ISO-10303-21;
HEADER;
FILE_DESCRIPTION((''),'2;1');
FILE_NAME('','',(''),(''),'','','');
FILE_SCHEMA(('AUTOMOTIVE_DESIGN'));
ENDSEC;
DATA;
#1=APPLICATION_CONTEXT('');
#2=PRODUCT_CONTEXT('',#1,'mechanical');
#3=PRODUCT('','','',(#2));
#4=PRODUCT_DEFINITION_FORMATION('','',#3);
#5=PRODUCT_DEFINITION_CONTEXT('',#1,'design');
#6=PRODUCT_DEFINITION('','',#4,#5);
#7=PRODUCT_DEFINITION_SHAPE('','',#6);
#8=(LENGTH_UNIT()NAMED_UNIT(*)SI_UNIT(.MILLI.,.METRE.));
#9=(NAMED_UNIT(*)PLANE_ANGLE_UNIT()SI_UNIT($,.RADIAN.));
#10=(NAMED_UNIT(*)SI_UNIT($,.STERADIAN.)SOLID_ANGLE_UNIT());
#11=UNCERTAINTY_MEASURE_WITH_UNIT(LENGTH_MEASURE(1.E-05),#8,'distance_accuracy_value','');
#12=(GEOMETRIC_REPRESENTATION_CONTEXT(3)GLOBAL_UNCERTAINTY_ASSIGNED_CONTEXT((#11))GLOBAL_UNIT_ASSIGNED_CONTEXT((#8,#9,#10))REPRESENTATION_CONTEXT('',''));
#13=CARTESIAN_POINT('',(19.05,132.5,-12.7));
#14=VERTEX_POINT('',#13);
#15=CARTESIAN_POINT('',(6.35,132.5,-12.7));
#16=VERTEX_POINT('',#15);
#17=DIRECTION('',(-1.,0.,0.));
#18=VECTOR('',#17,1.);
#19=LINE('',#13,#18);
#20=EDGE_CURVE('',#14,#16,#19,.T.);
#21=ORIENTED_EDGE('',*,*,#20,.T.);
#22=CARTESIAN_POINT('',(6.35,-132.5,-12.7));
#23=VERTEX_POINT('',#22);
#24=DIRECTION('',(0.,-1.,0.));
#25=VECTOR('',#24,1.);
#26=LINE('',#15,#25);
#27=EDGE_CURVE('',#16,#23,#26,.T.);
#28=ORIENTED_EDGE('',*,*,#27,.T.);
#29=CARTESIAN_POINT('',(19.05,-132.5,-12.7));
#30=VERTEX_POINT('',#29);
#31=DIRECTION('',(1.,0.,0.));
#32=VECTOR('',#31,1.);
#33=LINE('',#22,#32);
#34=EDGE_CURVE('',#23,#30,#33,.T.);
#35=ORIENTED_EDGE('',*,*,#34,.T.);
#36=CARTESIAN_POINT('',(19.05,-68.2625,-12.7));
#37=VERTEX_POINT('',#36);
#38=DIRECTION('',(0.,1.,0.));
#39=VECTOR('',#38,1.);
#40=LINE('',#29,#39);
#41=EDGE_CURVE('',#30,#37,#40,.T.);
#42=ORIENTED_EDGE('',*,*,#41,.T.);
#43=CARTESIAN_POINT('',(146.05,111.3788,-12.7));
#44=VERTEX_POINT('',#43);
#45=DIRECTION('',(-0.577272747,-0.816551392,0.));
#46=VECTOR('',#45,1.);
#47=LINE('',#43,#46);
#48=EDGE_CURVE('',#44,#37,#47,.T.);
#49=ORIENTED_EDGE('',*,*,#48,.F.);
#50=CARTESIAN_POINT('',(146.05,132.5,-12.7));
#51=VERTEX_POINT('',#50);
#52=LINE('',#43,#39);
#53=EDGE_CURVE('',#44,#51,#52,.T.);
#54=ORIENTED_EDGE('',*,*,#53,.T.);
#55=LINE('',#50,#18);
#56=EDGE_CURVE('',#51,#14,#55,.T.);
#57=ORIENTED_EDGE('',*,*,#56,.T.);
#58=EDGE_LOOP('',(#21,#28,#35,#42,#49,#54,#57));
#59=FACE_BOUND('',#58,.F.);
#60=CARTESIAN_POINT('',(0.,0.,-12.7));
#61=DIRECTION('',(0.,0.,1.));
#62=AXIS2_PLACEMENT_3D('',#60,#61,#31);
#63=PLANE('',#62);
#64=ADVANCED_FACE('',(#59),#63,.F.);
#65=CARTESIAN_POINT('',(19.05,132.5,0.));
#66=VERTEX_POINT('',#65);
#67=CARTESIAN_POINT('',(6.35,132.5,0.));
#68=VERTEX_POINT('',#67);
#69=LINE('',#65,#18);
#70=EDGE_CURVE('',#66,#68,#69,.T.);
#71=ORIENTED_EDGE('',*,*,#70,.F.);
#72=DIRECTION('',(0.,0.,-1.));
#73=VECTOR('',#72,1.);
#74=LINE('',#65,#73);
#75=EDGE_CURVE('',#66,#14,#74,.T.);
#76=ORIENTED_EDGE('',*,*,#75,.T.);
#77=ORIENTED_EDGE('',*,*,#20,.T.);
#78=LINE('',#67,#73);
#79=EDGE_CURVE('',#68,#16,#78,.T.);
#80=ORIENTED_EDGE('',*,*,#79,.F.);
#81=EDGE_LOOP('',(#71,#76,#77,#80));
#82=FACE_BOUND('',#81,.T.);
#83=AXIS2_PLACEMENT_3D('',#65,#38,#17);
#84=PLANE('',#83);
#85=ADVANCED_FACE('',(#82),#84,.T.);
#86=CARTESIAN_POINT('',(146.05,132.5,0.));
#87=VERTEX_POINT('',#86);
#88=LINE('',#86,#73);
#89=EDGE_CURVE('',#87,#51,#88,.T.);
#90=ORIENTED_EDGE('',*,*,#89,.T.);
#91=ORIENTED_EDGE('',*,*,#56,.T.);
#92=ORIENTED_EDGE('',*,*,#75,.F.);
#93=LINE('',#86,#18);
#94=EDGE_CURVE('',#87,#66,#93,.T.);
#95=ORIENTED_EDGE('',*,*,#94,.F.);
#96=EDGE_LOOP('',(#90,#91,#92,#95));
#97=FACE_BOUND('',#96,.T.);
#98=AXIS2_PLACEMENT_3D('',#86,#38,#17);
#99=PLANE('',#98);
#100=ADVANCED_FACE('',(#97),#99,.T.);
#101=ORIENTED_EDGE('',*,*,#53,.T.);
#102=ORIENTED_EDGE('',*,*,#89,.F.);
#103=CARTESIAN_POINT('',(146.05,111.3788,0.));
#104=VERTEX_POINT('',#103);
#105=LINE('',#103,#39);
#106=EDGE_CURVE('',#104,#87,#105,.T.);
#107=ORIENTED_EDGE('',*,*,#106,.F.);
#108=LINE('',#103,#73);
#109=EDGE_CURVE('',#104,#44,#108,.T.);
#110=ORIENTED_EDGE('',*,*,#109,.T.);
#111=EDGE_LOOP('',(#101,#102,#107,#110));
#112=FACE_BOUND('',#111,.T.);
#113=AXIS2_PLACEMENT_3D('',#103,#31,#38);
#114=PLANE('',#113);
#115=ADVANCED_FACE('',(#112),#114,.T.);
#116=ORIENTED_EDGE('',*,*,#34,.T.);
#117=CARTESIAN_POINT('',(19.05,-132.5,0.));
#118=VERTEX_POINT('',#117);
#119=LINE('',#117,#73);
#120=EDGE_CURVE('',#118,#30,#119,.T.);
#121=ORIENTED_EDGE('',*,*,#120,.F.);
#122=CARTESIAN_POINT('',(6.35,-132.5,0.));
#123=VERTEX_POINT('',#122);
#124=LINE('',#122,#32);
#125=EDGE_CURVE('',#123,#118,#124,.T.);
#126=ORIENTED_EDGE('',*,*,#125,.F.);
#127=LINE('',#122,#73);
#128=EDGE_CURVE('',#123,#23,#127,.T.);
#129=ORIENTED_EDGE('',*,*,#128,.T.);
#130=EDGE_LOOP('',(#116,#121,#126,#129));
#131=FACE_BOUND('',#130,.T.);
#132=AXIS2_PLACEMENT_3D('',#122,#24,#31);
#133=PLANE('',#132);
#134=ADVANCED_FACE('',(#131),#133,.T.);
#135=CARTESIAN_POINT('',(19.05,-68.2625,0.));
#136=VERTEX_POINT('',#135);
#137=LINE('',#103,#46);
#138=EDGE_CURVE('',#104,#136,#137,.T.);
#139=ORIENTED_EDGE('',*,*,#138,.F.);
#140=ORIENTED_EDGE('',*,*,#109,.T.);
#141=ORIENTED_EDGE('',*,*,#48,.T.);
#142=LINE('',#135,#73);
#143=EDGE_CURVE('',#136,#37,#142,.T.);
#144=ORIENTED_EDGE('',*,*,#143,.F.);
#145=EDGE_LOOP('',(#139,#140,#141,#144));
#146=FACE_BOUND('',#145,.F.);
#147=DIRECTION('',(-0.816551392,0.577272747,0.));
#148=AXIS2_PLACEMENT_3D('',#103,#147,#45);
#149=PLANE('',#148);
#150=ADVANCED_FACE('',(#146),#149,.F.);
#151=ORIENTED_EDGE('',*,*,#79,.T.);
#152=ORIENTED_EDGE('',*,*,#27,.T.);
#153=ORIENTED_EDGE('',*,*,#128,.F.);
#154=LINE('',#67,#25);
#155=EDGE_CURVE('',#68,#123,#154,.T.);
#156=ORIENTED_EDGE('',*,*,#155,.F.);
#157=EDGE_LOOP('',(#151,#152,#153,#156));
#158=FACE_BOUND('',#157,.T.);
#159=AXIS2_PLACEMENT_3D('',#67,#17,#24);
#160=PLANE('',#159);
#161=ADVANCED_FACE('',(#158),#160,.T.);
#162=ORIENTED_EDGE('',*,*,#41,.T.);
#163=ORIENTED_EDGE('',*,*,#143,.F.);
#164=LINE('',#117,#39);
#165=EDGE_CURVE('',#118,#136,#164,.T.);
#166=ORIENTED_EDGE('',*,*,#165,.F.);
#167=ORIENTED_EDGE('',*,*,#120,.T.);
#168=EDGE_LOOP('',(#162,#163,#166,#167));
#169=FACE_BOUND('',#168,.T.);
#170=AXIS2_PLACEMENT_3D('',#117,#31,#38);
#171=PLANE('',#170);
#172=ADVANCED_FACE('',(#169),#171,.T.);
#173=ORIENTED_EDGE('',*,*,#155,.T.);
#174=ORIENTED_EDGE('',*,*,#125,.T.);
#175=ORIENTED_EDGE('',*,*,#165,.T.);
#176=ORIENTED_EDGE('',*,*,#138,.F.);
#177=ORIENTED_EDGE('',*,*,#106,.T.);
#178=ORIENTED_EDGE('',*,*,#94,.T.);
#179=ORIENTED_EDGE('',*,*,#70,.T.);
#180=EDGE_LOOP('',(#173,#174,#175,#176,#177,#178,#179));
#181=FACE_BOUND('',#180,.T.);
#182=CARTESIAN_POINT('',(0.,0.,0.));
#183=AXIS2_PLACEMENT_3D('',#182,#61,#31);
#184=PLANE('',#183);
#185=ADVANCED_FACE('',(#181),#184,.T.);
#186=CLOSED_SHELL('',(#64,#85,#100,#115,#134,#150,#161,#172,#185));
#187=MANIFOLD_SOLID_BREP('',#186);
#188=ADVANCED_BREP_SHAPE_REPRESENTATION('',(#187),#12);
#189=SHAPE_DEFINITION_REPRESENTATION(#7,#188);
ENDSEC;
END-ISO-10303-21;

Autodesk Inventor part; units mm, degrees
ref_plane "YZ Plane" through (0, 0, 0) normal (1, 0, 0) x (0, 1, 0)
ref_plane "XZ Plane" through (0, 0, 0) normal (0, 1, 0) x (-1, 0, 0)
ref_plane "XY Plane" through (0, 0, 0) normal (0, 0, 1) x (1, 0, 0)
sketch "Sketch1" plane through (0, 0, 0) normal (0, 0, 1) x (1, 0, 0)
  line L0 (6.35, -132.5) -> (19.05, -132.5)
  line L1 (19.05, 132.5) -> (6.35, 132.5)
  line L2 (6.35, 132.5) -> (6.35, -132.5)
  line L3 (146.05, 111.3788) -> (146.05, 132.5)
  line L4 (146.05, 132.5) -> (19.05, 132.5)
  line L5 (146.05, 111.3788) -> (19.05, -68.2625)
  line L6 (19.05, -132.5) -> (19.05, -68.2625)
  point P0 (0, 0)
extrude "Extrusion1" add sketch "Sketch1" against normal blind 12.7
properties part number "Side"
